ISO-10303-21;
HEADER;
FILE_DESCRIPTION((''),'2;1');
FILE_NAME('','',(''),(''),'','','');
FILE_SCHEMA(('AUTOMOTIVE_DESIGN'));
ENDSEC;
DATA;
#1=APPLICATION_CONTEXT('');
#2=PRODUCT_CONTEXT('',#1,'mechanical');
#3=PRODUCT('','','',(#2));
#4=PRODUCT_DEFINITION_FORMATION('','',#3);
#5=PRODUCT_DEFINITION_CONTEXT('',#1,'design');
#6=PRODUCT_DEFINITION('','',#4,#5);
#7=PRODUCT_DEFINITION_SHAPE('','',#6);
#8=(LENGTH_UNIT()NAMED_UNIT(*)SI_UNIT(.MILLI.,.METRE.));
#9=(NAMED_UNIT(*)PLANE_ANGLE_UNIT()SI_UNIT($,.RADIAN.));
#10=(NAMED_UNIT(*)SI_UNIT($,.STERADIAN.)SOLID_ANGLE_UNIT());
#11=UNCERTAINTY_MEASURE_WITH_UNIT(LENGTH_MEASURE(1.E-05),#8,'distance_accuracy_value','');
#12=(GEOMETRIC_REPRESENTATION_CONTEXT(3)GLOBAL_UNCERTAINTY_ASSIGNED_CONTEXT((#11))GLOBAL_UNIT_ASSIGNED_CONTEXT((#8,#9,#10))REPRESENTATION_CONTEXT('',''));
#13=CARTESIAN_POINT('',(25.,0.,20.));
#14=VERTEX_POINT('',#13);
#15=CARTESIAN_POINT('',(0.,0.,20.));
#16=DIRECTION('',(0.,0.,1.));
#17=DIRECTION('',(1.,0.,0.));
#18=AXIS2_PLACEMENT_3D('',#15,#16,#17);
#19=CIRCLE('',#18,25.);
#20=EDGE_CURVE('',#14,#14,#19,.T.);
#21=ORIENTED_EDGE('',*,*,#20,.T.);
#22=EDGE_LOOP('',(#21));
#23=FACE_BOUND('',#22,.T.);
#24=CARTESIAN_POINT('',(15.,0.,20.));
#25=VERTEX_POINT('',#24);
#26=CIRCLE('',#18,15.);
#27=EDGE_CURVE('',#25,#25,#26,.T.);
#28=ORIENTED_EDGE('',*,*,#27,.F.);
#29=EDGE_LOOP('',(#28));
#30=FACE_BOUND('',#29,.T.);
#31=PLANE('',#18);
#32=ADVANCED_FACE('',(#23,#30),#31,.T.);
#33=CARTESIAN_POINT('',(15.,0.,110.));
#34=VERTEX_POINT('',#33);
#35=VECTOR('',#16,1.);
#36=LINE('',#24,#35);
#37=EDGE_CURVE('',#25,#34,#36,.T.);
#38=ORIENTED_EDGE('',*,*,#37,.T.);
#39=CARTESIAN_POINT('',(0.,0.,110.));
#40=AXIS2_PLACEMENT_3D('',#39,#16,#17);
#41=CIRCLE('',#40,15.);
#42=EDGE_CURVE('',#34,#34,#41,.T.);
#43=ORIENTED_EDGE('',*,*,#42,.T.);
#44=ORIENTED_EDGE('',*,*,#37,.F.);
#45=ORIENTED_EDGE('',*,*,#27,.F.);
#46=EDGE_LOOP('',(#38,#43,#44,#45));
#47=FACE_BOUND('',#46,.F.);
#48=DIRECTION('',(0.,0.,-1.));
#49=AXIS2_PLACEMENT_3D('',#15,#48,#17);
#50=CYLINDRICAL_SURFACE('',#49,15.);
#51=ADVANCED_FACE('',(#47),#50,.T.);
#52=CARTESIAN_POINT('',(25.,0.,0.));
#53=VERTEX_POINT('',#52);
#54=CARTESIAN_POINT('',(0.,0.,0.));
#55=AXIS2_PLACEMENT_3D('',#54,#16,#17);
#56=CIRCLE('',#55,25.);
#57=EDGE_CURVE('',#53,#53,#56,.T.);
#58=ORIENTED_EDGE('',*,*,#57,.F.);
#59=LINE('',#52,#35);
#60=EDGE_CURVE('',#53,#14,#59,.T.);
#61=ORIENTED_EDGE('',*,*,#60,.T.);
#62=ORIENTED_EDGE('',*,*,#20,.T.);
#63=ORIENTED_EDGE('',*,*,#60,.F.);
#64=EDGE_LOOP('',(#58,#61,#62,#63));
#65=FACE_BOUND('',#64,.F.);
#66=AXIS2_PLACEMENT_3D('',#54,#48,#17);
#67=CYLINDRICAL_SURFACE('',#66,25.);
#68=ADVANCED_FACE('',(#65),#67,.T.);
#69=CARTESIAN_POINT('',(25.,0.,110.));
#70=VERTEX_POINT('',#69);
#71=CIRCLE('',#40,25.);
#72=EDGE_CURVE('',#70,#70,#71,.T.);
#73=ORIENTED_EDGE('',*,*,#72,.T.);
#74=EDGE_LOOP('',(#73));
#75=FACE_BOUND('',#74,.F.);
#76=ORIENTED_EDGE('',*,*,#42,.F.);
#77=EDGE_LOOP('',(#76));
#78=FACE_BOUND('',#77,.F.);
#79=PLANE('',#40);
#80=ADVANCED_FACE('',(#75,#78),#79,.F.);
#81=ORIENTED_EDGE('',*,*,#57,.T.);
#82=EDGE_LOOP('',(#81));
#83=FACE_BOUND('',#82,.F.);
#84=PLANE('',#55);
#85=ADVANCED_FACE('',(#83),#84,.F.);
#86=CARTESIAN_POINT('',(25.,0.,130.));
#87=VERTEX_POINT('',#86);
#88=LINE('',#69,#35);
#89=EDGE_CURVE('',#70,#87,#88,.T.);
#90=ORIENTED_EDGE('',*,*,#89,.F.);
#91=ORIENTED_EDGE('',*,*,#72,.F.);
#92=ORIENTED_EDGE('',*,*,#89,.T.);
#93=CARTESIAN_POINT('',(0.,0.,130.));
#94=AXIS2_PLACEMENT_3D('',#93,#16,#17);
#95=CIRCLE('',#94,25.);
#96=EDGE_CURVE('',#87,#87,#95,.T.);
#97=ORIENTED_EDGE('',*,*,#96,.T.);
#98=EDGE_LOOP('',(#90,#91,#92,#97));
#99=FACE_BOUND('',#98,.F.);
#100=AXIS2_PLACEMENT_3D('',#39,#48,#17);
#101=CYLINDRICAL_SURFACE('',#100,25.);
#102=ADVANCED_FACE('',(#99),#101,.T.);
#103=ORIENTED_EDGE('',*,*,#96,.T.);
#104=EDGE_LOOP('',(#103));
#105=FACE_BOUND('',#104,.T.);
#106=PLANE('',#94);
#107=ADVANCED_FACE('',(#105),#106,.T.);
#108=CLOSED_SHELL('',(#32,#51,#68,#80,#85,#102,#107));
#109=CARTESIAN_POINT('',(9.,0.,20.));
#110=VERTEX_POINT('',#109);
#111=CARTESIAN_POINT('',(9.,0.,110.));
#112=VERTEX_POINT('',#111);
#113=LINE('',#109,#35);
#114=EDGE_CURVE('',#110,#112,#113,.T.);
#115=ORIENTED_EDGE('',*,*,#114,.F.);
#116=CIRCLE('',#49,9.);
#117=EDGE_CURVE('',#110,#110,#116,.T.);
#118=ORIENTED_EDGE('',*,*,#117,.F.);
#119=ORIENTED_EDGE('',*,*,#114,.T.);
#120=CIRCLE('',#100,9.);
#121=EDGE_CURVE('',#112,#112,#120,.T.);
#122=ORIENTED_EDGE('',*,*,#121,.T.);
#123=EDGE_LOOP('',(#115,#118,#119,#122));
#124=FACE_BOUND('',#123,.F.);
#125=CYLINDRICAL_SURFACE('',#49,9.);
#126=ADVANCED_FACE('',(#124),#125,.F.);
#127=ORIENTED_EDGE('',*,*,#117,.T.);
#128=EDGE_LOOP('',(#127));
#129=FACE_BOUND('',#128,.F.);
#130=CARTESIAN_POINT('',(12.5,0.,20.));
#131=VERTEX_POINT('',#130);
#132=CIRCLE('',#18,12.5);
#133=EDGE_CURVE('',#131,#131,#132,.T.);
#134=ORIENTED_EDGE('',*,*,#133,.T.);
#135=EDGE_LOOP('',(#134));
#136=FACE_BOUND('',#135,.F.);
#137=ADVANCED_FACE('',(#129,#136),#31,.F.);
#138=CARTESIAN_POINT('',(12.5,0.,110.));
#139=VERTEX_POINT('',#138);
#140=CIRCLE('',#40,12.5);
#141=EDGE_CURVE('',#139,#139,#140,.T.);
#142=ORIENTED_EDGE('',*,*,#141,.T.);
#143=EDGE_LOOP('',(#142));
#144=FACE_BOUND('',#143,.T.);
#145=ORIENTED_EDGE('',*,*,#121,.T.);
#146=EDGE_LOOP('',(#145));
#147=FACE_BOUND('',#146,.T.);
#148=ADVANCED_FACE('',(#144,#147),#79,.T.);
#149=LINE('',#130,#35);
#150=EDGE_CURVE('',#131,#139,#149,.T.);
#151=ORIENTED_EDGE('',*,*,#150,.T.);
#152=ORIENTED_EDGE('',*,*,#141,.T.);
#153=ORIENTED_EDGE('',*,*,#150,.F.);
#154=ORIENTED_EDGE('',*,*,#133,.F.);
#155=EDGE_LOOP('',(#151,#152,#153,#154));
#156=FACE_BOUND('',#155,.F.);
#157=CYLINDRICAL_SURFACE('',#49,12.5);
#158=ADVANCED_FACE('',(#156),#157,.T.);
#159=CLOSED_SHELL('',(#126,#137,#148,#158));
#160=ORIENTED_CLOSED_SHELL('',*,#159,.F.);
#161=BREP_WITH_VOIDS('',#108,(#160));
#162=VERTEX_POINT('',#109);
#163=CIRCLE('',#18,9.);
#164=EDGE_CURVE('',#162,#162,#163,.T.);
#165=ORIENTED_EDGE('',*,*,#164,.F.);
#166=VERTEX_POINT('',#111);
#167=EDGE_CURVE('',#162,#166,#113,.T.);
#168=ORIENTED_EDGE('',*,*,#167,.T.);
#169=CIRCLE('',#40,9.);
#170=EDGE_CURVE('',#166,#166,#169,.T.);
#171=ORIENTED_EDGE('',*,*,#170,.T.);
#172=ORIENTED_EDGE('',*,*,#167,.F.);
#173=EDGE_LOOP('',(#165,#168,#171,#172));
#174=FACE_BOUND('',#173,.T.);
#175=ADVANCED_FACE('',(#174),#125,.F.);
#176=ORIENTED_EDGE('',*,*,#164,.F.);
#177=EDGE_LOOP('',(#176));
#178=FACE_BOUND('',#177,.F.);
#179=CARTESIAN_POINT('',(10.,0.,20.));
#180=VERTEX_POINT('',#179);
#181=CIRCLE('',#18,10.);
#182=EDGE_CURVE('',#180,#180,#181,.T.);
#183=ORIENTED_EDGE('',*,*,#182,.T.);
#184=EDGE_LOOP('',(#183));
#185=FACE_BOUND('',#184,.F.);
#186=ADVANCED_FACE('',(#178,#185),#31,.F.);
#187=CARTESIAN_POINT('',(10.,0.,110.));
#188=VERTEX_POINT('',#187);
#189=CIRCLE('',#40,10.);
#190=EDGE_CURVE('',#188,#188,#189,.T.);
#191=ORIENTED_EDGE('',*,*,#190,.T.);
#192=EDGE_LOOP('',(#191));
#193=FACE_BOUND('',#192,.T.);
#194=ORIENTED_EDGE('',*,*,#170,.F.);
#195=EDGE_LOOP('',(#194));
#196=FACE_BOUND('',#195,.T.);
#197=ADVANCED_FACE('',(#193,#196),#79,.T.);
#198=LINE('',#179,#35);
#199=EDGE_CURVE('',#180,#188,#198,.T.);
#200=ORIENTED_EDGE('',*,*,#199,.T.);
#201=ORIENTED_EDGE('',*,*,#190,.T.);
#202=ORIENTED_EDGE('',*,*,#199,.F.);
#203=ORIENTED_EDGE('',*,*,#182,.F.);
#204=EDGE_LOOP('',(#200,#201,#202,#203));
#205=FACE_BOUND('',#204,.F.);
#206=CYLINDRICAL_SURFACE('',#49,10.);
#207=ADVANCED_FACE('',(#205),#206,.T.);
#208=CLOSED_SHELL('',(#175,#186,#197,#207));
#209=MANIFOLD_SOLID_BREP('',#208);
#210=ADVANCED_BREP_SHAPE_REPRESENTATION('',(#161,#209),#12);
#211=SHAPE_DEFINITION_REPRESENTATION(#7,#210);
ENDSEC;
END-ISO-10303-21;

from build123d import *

# Parameters (mm, degrees)
F0_R      = 25
F1_DEPTH  = 20
F2_R      = 15
F3_DEPTH  = 90
F4_R      = 25
F5_DEPTH  = 20
F6_R      = 12.5
F7_DEPTH  = 90
F8_R      = 10
F9_DEPTH  = 90
F10_R     = 9
F11_DEPTH = 90
F12_R     = 9
F13_DEPTH = 90


with BuildPart() as f1:
    # F0 (on Top) → F1 (new body)
    with BuildSketch(Plane.XY):
        Circle(F0_R)
    extrude(amount=F1_DEPTH)

    # F2 (on face) → F3 (join)
    with BuildSketch(Plane.XY.offset(20)):
        Circle(F2_R)
    extrude(amount=F3_DEPTH)

    # F4 (on face) → F5 (join)
    with BuildSketch(Plane.XY.offset(110)):
        Circle(F4_R)
    extrude(amount=F5_DEPTH)

    # F6 (on face) → F7 (cut)
    with BuildSketch(Plane.XY.offset(20)):
        Circle(F6_R)
    extrude(amount=F7_DEPTH, mode=Mode.SUBTRACT)

    # F12 (on face) → F13 (join)
    with BuildSketch(Plane(origin=(0, 0, 20), x_dir=(1, 0, 0), z_dir=(0, 0, -1))):
        Circle(F12_R)
    extrude(amount=-F13_DEPTH)


with BuildPart() as f9:
    # F8 (on face) → F9 (new body)
    with BuildSketch(Plane.XY.offset(20)):
        Circle(F8_R)
    extrude(amount=F9_DEPTH)

    # F10 (on face) → F11 (cut)
    with BuildSketch(Plane.XY.offset(20)):
        Circle(F10_R)
    extrude(amount=F11_DEPTH, mode=Mode.SUBTRACT)


solid = Compound([f1.part, f9.part])
